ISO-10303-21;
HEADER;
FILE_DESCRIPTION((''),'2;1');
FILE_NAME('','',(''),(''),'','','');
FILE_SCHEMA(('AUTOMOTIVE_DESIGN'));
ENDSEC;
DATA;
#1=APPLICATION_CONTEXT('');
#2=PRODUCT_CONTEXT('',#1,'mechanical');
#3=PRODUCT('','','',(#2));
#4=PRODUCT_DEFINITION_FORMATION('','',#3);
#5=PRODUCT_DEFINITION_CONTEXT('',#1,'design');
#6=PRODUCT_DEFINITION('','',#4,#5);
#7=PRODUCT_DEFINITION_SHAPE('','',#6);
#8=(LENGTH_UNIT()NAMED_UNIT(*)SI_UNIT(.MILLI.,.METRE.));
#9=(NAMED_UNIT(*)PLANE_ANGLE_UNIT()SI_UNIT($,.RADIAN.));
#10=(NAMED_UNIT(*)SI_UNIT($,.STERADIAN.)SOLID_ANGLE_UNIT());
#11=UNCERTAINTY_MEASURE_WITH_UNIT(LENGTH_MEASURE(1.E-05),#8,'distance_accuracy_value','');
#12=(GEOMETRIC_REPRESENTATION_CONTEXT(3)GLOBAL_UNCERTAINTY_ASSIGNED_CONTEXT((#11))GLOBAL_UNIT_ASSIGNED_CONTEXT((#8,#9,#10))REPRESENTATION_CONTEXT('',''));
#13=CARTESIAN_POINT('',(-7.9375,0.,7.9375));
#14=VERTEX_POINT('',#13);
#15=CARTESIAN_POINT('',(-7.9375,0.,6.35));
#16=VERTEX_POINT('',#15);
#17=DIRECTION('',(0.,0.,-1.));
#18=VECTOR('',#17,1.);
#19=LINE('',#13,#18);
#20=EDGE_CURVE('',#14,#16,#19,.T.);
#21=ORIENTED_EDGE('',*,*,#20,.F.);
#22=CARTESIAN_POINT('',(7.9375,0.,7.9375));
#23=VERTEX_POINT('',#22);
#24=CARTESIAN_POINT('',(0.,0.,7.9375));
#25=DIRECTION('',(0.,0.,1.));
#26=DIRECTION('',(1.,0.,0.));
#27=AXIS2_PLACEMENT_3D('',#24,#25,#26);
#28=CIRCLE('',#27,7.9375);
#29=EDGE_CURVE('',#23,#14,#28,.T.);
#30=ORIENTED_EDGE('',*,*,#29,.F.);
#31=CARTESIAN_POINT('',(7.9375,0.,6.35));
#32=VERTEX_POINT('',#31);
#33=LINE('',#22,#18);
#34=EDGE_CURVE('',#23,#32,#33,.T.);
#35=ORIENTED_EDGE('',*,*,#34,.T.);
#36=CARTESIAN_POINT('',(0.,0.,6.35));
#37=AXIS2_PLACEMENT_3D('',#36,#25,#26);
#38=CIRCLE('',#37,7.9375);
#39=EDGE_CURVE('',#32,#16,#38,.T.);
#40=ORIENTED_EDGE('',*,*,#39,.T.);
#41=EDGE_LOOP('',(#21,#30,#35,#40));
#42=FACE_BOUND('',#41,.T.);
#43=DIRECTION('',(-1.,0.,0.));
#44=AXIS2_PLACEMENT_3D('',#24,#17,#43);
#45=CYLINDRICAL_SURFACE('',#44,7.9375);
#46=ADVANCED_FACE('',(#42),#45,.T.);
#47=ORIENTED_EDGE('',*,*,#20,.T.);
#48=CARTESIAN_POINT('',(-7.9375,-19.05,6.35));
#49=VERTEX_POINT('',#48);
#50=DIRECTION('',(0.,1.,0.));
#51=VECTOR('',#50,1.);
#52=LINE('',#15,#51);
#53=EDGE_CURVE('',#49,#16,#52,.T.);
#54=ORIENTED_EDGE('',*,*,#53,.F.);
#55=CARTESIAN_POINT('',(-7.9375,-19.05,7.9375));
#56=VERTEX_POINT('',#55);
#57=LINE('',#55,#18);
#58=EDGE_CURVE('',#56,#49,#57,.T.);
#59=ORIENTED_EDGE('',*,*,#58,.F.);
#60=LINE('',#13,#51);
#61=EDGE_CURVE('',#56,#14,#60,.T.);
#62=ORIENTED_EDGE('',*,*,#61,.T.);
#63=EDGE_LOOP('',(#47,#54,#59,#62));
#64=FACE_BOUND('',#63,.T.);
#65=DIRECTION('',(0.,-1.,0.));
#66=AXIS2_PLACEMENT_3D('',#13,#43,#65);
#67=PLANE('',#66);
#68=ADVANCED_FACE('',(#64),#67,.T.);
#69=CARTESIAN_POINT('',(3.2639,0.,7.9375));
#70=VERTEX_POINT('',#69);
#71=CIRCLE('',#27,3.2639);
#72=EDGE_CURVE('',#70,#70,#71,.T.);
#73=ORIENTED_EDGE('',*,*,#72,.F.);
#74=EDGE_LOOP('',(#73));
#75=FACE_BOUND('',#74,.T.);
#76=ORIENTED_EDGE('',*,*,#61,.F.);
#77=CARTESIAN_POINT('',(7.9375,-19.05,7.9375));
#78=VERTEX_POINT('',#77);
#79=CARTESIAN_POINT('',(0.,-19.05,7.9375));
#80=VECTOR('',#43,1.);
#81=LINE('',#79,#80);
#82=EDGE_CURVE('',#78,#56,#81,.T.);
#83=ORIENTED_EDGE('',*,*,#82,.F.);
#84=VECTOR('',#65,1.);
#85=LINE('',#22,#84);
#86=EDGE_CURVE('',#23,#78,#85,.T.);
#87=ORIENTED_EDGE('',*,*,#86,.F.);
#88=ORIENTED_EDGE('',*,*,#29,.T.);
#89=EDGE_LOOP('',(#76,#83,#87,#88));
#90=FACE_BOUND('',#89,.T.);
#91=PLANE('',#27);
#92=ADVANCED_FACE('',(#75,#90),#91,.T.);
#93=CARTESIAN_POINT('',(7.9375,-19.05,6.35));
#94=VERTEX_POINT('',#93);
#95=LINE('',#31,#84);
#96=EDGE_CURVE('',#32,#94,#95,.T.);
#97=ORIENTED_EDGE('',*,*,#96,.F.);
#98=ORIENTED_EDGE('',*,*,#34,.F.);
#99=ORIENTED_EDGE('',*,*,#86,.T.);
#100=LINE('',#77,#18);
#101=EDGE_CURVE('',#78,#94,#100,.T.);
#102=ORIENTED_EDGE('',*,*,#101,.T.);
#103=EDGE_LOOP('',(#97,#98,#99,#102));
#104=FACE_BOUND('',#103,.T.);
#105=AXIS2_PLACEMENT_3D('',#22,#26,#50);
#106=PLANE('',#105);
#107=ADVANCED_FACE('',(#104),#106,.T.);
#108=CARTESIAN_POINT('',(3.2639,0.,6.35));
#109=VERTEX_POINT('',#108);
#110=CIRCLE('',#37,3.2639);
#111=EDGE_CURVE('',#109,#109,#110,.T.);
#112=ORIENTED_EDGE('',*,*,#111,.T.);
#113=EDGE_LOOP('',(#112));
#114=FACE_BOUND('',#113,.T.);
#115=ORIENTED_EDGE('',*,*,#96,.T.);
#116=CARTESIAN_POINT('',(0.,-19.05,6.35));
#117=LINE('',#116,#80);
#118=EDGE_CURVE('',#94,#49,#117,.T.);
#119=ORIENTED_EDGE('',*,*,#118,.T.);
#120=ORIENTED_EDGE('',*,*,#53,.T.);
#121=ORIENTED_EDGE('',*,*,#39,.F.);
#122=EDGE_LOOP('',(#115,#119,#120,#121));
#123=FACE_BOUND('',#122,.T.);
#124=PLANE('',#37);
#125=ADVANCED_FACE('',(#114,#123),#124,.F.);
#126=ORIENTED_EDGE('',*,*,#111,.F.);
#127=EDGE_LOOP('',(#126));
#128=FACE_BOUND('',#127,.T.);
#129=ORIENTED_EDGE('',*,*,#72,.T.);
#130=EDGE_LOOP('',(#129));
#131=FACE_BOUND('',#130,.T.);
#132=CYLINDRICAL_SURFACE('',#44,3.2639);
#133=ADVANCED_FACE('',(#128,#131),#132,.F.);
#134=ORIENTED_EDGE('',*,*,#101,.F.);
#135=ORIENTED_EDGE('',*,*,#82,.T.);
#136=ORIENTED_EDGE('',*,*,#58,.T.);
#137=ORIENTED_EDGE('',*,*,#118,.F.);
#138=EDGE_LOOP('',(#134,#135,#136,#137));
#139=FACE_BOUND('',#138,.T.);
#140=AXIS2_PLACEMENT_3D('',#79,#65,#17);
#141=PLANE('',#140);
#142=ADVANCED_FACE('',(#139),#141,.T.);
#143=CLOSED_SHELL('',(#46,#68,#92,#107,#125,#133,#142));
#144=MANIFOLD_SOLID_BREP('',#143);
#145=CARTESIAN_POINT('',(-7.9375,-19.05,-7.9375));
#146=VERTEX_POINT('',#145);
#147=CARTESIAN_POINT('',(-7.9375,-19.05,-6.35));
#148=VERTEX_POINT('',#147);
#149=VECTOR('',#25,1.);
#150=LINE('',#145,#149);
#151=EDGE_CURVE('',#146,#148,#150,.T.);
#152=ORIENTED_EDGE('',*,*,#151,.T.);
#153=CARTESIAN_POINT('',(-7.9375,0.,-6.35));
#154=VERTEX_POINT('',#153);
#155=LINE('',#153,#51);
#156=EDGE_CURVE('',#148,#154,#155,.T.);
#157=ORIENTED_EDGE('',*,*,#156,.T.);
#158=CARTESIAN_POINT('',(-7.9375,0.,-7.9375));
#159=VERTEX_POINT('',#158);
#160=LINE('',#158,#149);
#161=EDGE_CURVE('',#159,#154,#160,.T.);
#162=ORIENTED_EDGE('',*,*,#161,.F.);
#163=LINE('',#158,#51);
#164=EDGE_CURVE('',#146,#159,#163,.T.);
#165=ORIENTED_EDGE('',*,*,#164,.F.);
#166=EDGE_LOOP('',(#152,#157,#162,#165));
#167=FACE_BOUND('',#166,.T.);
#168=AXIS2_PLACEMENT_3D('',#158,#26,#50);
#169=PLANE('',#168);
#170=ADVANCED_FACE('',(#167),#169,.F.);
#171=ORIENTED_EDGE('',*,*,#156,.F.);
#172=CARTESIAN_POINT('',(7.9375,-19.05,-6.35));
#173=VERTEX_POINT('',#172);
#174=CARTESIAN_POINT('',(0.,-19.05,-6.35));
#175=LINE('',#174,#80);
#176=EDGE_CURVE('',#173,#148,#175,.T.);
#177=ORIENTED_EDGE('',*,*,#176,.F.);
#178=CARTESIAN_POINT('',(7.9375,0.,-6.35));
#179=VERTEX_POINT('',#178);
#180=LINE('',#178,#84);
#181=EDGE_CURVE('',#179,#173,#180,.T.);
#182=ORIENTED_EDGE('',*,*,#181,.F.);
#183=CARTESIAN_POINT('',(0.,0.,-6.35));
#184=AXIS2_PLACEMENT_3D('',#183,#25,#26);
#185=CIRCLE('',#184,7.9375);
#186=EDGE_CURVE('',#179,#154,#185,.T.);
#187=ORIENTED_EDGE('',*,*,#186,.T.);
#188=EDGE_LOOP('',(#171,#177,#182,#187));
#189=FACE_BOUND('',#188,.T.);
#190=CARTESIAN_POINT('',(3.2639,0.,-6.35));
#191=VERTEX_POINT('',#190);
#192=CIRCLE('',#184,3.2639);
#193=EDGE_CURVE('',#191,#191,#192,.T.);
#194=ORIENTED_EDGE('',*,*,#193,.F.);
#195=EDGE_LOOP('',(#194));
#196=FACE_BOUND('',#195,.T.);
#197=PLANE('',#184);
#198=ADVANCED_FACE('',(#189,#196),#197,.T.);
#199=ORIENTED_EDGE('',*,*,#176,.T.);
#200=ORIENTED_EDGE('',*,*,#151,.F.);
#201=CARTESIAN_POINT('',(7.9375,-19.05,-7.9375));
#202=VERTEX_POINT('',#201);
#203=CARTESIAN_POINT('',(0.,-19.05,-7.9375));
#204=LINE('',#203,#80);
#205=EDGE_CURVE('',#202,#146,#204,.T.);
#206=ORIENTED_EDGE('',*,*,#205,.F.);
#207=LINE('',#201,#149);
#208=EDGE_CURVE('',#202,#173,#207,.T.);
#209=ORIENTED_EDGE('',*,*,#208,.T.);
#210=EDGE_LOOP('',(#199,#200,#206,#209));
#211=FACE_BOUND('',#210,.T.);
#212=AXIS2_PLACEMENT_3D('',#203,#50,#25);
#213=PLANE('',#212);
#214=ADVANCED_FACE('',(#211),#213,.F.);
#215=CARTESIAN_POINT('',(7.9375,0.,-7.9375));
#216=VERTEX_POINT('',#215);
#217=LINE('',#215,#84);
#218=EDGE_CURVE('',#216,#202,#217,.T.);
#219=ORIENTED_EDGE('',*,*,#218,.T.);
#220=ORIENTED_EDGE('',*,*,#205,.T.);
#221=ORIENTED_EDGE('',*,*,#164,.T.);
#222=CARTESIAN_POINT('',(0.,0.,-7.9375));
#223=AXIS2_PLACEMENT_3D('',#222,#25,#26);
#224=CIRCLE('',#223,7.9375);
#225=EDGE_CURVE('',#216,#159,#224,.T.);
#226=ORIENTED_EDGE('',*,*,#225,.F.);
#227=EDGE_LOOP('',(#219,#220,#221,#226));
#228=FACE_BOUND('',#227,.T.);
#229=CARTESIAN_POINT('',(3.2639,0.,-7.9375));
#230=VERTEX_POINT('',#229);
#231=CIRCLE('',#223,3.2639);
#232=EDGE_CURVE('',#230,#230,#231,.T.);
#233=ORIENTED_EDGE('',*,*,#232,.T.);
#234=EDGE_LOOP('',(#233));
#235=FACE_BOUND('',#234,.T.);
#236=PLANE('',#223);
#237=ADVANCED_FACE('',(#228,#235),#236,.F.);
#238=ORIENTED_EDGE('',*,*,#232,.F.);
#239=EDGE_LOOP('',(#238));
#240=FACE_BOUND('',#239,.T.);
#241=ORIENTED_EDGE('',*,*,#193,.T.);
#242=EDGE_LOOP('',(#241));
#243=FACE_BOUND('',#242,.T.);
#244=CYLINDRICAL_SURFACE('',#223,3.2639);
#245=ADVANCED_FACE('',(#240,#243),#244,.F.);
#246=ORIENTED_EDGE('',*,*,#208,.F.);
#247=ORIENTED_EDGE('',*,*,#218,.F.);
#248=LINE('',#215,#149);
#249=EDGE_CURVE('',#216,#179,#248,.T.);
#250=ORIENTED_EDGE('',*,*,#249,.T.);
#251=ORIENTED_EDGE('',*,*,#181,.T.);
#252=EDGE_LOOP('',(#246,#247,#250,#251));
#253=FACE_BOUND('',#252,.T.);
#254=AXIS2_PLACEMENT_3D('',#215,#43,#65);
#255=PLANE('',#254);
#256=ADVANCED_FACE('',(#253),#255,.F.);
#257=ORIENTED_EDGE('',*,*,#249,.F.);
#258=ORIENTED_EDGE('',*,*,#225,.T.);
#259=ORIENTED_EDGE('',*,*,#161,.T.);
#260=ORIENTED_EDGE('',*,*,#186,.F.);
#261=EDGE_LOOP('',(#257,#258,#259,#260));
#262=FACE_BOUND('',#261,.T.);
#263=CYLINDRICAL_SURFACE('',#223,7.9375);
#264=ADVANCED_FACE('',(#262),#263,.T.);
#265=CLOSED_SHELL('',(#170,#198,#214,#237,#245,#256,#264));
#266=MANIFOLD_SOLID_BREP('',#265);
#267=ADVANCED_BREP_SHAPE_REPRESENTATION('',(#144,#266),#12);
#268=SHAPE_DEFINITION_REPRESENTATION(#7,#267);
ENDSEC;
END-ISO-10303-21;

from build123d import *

# Parameters (mm, degrees)
BOSS_EXTRUDE1_START = 6.35
SKETCH1_R           = 3.2639
BOSS_EXTRUDE1_DEPTH = 1.5875
BOSS_EXTRUDE2_START = -6.35
SKETCH1_4_R         = 3.2639
BOSS_EXTRUDE2_DEPTH = 1.5875


with BuildPart() as part:
    # Sketch1 → Boss-Extrude1 (new body)
    with BuildSketch(Plane.XY.offset(BOSS_EXTRUDE1_START)):
        with BuildLine():
            ThreePointArc((7.9375, 0), (0, 7.9375), (-7.9375, 0))
            Line((-7.9375, 0), (-7.9375, -19.05))
            Line((-7.9375, -19.05), (7.9375, -19.05))
            Line((7.9375, -19.05), (7.9375, 0))
        make_face()
        Circle(SKETCH1_R, mode=Mode.SUBTRACT)
    extrude(amount=BOSS_EXTRUDE1_DEPTH)


with BuildPart() as body_2:
    # Sketch1<4> → Boss-Extrude2 (new body)
    with BuildSketch(Plane.XY.offset(BOSS_EXTRUDE2_START)):
        with BuildLine():
            ThreePointArc((7.9375, 0), (0, 7.9375), (-7.9375, 0))
            Line((-7.9375, 0), (-7.9375, -19.05))
            Line((-7.9375, -19.05), (7.9375, -19.05))
            Line((7.9375, -19.05), (7.9375, 0))
        make_face()
        Circle(SKETCH1_4_R, mode=Mode.SUBTRACT)
    extrude(amount=-BOSS_EXTRUDE2_DEPTH)


solid = Compound([part.part, body_2.part])
